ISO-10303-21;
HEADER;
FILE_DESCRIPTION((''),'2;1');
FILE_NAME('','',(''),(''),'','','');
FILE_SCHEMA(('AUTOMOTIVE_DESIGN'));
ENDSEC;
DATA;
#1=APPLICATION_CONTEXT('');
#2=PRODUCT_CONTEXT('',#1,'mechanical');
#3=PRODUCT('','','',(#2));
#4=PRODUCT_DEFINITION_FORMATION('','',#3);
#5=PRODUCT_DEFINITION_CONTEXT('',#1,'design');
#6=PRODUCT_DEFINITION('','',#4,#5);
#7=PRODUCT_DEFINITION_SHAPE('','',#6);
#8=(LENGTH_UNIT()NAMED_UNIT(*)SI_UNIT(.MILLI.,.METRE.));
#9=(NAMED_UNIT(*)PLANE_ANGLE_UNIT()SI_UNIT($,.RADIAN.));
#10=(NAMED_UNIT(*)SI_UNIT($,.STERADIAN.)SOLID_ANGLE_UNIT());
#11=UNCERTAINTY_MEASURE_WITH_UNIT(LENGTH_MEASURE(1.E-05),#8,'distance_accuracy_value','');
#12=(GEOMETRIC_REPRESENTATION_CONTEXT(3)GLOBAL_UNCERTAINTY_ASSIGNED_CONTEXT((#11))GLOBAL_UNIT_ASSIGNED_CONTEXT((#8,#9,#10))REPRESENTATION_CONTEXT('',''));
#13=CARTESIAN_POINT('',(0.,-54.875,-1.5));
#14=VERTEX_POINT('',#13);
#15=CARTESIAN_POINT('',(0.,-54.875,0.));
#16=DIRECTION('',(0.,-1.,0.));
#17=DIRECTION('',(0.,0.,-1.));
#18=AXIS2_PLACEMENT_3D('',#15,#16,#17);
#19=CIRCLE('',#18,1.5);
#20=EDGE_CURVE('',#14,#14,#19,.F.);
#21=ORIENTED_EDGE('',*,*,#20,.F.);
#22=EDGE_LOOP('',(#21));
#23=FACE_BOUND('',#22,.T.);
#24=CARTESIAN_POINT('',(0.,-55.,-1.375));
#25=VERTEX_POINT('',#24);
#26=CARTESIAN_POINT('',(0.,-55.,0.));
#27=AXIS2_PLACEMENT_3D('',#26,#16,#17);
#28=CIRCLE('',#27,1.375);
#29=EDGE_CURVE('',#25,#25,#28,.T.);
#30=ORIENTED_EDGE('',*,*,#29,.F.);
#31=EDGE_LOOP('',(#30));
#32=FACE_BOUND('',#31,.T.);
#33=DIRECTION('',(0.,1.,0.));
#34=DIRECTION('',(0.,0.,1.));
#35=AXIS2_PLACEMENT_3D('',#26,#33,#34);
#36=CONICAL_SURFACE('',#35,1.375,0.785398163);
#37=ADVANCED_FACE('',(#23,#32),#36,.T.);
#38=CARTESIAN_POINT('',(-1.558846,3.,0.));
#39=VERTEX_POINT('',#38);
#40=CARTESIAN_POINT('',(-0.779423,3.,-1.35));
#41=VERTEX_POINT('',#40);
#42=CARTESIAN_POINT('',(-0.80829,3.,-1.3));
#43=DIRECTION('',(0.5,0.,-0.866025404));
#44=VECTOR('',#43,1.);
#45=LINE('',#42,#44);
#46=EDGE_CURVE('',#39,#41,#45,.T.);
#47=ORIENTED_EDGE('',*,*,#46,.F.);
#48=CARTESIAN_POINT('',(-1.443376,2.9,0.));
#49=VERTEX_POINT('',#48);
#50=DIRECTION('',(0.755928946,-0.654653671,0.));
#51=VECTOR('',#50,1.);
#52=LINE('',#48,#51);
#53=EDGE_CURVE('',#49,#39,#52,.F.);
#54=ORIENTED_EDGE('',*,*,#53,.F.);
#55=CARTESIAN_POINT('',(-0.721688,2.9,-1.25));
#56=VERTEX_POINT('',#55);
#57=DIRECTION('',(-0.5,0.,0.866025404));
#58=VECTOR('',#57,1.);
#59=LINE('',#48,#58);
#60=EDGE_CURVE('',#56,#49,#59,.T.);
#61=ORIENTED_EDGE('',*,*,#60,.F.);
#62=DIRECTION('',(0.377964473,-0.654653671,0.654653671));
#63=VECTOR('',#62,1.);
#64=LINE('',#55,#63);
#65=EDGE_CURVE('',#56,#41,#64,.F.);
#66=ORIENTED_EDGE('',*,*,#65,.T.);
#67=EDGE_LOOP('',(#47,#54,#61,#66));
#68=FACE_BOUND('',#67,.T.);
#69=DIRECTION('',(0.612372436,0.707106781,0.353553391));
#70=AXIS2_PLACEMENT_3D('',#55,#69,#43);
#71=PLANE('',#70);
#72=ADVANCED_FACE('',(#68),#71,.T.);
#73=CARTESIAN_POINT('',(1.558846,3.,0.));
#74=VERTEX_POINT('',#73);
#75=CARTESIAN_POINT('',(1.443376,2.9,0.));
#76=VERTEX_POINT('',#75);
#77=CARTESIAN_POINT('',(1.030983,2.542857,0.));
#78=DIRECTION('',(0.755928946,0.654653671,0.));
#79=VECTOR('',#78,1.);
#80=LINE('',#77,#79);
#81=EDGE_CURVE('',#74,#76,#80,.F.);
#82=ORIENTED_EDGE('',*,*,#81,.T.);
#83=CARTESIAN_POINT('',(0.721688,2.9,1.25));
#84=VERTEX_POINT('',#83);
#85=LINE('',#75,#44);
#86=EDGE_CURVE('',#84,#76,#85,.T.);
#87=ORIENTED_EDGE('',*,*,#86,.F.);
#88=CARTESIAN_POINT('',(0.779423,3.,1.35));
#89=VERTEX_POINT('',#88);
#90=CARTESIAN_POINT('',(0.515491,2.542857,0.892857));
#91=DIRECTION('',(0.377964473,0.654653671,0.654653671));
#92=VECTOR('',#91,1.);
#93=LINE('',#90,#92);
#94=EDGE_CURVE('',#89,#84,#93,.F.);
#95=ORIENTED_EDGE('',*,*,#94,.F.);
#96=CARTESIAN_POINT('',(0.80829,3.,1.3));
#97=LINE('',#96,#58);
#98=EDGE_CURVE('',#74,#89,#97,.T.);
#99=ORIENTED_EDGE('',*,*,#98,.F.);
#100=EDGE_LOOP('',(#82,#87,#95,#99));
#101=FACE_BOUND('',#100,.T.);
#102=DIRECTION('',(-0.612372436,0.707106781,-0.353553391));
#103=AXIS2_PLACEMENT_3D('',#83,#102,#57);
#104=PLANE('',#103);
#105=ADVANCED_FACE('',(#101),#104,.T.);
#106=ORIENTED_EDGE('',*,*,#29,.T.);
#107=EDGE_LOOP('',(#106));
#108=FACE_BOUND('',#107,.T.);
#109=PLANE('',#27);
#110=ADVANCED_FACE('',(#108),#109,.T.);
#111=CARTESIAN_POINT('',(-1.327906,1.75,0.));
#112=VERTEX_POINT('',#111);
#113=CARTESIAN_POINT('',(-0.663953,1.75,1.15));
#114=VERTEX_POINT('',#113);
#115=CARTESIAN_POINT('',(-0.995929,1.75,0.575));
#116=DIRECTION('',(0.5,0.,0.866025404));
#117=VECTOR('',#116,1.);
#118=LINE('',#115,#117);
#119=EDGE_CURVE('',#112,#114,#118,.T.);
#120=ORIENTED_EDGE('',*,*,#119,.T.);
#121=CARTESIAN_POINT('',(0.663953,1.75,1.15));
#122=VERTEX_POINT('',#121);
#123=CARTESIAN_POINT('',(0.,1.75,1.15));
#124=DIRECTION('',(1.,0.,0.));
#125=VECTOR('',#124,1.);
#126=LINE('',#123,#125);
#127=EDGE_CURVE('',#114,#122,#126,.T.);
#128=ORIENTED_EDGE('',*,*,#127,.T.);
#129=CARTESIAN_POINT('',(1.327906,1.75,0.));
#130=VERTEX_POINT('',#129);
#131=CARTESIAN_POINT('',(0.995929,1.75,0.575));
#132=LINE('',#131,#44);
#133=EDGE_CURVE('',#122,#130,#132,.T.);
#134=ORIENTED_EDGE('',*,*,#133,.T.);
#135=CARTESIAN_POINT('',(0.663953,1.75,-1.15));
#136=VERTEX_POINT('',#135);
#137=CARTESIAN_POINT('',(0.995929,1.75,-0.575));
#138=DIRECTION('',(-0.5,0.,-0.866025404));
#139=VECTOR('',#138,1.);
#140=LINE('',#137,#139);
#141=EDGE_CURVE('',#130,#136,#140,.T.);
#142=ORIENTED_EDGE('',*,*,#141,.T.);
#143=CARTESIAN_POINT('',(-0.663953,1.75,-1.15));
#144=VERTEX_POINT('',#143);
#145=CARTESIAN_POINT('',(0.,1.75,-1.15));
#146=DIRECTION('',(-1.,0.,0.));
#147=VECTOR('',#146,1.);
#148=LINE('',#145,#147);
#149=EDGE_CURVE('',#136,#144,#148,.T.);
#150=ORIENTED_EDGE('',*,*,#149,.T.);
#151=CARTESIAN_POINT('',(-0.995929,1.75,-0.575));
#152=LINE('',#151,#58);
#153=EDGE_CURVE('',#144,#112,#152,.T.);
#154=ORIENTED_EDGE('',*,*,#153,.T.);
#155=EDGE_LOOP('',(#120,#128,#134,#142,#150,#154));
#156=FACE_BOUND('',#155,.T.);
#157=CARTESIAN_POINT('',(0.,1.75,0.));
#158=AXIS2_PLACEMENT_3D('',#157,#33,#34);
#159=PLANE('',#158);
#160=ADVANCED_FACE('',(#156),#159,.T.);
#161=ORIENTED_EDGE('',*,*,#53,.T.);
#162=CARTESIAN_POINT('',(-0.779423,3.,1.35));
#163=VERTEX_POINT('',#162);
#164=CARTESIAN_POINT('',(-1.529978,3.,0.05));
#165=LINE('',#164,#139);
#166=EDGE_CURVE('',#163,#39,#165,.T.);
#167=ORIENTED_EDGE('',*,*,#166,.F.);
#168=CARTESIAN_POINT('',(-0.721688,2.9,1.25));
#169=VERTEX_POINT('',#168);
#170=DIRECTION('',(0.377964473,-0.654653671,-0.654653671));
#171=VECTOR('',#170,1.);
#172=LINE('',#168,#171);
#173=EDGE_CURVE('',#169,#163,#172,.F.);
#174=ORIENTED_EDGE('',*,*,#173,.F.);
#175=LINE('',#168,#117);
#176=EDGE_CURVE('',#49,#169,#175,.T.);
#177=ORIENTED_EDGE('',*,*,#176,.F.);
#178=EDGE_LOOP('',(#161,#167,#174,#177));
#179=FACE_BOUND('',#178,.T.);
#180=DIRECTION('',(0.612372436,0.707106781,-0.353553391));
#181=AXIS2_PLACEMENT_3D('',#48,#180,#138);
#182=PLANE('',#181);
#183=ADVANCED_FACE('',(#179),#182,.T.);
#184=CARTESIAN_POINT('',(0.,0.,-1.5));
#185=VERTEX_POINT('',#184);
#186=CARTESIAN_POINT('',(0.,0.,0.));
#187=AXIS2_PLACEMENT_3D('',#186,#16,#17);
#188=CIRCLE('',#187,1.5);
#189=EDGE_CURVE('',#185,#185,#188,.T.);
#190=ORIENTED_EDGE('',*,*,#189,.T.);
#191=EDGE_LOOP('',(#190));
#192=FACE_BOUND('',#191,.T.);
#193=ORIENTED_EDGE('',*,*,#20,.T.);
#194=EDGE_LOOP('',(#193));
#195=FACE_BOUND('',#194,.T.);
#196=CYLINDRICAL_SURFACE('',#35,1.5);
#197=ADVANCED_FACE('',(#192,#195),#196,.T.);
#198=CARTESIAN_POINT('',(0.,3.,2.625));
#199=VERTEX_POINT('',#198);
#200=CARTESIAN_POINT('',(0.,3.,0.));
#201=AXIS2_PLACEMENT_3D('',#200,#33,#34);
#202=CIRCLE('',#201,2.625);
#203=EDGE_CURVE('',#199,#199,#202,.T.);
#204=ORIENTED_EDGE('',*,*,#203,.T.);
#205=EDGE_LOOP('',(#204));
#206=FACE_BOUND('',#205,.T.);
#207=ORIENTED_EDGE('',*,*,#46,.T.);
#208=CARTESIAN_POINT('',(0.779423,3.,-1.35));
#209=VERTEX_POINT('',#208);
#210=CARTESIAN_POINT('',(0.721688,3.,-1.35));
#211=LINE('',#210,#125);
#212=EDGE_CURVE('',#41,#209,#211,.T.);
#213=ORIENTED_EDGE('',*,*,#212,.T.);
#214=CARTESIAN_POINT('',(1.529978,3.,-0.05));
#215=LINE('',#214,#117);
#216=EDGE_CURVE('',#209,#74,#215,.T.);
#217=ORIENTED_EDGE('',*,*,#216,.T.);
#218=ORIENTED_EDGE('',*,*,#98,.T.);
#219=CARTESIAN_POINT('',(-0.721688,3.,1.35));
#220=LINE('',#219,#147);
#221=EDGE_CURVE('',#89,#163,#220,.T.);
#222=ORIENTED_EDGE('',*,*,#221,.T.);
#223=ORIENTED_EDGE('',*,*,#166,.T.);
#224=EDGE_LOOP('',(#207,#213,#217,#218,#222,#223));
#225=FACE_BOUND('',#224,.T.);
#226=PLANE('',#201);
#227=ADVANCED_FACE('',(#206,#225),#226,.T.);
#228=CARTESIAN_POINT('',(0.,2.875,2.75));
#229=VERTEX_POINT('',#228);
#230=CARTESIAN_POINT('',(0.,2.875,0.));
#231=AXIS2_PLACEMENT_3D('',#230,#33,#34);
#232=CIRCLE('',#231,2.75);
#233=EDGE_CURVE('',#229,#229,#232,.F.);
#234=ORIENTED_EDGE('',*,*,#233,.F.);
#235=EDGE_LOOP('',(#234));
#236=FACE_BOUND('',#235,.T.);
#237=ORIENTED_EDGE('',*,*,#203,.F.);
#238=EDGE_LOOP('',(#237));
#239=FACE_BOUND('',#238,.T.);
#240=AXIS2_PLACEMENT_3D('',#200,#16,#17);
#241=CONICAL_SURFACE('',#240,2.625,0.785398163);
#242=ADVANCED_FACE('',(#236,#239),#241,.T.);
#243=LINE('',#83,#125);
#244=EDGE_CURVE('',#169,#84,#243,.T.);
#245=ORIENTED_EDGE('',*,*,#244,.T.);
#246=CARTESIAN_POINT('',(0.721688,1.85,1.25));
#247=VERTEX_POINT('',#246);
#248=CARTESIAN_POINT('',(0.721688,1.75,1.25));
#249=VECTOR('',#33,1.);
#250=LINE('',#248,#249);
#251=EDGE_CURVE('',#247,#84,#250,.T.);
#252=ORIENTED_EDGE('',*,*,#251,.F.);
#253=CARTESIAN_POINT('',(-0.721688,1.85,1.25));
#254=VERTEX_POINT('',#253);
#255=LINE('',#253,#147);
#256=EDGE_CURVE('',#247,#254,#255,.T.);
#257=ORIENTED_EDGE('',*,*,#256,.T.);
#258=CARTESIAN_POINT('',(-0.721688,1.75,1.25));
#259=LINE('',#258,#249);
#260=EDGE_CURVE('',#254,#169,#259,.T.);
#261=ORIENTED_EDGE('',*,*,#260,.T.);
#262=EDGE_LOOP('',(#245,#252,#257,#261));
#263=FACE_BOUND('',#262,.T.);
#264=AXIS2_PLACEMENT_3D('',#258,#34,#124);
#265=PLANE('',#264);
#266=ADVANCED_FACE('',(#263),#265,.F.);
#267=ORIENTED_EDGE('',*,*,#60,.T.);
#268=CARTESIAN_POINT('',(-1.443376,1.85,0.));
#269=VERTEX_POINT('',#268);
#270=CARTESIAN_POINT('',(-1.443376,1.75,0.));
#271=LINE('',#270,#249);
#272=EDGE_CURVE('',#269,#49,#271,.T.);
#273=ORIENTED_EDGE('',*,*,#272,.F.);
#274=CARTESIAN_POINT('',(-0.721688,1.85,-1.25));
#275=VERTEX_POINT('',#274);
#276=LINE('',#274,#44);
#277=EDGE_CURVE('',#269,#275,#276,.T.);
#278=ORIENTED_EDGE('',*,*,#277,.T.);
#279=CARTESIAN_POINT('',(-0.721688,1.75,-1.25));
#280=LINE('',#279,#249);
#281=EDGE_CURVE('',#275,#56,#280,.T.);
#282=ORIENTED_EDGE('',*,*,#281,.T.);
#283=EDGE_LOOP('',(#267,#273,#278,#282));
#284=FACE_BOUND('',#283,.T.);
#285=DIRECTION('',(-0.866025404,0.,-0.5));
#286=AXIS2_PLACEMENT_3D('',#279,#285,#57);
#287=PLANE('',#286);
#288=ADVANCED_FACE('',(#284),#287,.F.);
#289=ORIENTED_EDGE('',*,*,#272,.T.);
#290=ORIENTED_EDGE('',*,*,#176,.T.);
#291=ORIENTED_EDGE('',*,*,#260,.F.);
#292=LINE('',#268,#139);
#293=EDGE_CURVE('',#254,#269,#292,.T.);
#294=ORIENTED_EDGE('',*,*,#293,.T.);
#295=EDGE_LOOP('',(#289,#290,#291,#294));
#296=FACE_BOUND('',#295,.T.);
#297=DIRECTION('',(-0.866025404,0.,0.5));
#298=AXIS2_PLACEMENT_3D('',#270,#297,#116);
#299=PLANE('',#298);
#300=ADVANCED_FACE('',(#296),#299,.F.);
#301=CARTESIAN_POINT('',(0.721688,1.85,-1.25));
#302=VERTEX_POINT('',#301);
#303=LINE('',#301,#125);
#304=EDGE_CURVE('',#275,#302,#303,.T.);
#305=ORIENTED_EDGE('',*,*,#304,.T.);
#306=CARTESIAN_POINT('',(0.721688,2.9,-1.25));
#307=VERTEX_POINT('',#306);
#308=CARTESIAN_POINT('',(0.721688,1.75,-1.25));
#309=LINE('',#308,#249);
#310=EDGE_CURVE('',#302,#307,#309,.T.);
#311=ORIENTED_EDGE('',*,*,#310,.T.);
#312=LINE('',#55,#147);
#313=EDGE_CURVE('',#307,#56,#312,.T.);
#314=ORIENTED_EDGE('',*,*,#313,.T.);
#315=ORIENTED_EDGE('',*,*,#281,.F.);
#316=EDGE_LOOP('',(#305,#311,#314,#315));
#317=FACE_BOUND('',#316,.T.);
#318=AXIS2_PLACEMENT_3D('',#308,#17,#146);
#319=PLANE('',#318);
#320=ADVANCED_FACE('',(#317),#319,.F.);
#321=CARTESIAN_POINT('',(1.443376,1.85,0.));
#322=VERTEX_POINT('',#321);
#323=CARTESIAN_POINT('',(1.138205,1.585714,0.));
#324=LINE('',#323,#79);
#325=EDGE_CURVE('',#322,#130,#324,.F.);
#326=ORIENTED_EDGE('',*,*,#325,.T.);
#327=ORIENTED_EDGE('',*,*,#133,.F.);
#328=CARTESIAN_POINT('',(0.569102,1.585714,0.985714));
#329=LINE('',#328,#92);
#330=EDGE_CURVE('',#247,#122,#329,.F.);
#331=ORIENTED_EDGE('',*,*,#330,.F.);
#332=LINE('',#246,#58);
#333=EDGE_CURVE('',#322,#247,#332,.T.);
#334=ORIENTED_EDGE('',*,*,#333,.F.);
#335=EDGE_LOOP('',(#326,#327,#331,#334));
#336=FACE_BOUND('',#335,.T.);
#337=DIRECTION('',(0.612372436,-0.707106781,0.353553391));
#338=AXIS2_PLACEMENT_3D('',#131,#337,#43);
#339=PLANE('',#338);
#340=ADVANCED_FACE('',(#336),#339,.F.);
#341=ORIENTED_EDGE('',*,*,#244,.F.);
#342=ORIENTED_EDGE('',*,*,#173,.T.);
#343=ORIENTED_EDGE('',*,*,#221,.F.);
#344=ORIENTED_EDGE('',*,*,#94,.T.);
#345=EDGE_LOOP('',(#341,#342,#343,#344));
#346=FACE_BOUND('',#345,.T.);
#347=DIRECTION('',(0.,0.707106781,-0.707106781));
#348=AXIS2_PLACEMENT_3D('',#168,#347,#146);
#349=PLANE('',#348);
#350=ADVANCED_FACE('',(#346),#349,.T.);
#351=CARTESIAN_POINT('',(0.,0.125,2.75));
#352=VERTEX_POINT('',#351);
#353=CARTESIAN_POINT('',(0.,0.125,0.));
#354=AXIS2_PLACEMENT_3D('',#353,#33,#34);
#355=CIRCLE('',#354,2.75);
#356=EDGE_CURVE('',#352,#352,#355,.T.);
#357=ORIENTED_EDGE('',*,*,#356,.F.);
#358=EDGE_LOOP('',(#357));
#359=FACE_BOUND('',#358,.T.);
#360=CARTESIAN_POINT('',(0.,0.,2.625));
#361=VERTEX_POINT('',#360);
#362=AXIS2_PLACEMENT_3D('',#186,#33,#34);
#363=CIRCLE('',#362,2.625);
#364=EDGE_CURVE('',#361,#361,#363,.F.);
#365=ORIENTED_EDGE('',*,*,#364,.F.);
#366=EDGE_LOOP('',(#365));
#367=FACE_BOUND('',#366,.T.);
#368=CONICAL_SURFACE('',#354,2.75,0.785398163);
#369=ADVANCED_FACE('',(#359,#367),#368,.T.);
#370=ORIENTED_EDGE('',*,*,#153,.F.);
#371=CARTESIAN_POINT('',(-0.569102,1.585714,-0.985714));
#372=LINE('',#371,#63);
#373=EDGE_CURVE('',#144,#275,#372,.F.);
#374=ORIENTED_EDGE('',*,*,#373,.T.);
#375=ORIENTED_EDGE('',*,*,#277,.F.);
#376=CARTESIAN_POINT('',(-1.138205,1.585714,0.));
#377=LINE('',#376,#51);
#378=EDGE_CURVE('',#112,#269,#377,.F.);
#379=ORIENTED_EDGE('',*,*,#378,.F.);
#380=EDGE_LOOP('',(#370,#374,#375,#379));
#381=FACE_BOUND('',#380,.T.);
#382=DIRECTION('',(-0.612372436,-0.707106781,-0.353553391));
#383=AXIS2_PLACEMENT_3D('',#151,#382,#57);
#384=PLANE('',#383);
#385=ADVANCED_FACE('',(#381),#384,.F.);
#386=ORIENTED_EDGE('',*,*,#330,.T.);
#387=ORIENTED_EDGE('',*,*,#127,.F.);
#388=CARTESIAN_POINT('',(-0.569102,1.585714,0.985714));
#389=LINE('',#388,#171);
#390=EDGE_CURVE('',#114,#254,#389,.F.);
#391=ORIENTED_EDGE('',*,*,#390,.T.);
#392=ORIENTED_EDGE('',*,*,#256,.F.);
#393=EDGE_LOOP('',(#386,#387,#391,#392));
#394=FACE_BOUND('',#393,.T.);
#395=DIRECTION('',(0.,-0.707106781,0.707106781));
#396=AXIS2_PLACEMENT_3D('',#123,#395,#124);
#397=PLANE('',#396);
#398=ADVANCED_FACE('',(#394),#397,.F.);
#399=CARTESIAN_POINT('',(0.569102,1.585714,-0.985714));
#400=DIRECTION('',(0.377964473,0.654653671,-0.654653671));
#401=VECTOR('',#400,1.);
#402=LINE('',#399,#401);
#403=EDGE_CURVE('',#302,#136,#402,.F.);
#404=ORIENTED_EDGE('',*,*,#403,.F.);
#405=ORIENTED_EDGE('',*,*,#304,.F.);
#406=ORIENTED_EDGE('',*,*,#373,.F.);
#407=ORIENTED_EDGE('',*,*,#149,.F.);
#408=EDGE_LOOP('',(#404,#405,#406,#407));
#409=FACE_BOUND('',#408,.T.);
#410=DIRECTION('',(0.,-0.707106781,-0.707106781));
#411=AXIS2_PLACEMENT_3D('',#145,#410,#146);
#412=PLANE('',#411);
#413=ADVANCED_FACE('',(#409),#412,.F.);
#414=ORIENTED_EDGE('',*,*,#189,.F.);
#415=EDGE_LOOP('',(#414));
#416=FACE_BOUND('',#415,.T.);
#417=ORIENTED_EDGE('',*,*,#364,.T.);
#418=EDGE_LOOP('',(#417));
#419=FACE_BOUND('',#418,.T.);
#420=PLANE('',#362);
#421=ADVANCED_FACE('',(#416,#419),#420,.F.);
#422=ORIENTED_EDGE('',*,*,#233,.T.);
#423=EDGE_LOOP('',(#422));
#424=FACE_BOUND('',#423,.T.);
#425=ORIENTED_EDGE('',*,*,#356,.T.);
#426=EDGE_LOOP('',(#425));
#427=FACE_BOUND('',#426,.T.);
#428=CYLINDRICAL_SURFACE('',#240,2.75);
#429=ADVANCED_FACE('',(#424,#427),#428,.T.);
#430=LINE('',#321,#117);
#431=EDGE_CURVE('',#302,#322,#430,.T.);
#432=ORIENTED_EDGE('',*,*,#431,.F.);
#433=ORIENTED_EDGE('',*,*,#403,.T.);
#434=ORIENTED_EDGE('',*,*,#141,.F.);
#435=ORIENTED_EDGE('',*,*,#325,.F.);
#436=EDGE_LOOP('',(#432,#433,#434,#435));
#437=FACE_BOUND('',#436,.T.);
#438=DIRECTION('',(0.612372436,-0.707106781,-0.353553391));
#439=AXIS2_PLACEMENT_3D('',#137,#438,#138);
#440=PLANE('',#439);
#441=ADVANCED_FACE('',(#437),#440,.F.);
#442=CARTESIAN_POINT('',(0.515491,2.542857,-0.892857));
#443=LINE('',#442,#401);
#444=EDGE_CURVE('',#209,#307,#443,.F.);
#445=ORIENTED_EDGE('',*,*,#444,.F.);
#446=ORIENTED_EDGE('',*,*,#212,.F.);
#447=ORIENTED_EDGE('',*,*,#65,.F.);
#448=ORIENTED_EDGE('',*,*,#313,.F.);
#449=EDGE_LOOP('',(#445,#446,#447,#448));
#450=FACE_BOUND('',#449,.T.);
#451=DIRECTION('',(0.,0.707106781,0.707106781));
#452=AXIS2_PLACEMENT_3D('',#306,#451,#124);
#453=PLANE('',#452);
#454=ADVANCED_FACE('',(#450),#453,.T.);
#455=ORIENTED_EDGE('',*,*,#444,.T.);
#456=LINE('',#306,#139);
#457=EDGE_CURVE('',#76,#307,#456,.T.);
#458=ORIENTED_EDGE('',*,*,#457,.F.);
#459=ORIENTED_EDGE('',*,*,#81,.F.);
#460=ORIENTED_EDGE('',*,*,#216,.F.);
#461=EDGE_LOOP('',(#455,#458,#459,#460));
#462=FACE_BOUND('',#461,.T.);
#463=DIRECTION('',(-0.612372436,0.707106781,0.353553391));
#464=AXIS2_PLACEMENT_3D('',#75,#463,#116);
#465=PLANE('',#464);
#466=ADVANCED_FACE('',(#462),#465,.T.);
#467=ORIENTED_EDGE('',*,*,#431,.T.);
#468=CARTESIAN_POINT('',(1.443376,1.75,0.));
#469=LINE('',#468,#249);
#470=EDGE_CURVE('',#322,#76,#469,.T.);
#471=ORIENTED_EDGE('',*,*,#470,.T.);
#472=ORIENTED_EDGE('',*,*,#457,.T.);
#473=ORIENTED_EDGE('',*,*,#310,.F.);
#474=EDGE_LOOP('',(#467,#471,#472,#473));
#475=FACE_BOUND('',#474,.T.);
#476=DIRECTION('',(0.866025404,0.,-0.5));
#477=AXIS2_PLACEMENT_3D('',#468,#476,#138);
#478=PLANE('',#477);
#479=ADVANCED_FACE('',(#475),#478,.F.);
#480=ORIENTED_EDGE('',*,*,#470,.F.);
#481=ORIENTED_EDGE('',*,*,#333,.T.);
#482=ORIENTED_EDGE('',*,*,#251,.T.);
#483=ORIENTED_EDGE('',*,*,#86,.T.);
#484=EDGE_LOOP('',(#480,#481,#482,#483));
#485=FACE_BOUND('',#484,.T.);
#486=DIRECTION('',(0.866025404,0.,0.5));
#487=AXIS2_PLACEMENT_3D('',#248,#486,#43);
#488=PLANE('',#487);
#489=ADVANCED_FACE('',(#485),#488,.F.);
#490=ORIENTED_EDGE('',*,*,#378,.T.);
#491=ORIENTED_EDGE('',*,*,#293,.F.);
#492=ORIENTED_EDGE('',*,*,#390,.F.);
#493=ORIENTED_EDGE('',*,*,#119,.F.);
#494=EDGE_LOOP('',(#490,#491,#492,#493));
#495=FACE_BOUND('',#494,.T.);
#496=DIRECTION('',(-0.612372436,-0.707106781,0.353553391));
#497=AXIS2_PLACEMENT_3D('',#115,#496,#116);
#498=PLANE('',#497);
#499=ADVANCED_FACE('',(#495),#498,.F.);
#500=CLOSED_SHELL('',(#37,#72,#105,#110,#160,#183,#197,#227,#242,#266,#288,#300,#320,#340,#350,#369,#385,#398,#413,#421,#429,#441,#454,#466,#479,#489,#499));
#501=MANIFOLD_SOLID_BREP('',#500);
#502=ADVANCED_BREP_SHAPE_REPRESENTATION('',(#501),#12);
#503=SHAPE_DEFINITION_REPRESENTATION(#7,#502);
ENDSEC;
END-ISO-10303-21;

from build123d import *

# Parameters (mm, degrees)
SKETCH1_R           = 2.75
BOSS_EXTRUDE1_DEPTH = 3
SKETCH2_R           = 1.5
BOSS_EXTRUDE2_DEPTH = 55
CHAMFER1_SIZE       = 0.125
CHAMFER2_SIZE       = 0.125
CUT_EXTRUDE1_DEPTH  = 1.25
CHAMFER3_SIZE       = 0.1
CHAMFER4_SIZE       = 0.1


with BuildPart() as part:
    # Sketch1 → Boss-Extrude1 (new body)
    with BuildSketch(Plane(origin=(0, 0, 0), x_dir=(1, 0, 0), z_dir=(0, 1, 0))):
        with Locations(Location((0, 0, 0), (0, 0, 270))):
            Circle(SKETCH1_R)
    extrude(amount=BOSS_EXTRUDE1_DEPTH)

    # Sketch2 → Boss-Extrude2 (add)
    with BuildSketch(Plane(origin=(0, 0, 0), x_dir=(-1, 0, 0), z_dir=(0, -1, 0))):
        with Locations(Location((0, 0, 0), (0, 0, 90))):
            Circle(SKETCH2_R)
    extrude(amount=BOSS_EXTRUDE2_DEPTH)

    # Chamfer1
    chamfer1_edges = [part.edges().sort_by_distance(p)[0] for p in [
        (0, 0, -2.75),
        (0, 3, -2.75),
    ]]
    chamfer(chamfer1_edges, length=CHAMFER1_SIZE)

    # Chamfer2
    chamfer2_edges = [part.edges().sort_by_distance(p)[0] for p in [
        (0, -55, 1.5),
    ]]
    chamfer(chamfer2_edges, length=CHAMFER2_SIZE)

    # Sketch3 → Cut-Extrude1 (cut)
    with BuildSketch(Plane(origin=(0, 3, 0), x_dir=(1, 0, 0), z_dir=(0, 1, 0))):
        Polygon((1.443375673, 0), (0.721687836, 1.25), (-0.721687836, 1.25), (-1.443375673, 0), (-0.721687836, -1.25), (0.721687836, -1.25), align=None)
    extrude(amount=-CUT_EXTRUDE1_DEPTH, mode=Mode.SUBTRACT)

    # Chamfer3
    chamfer3_edges = [part.edges().sort_by_distance(p)[0] for p in [
        (1.082531755, 3, 0.625),
        (1.082531755, 3, -0.625),
        (0, 3, -1.25),
        (-1.082531755, 3, -0.625),
        (-1.082531755, 3, 0.625),
        (0, 3, 1.25),
    ]]
    chamfer(chamfer3_edges, length=CHAMFER3_SIZE)

    # Chamfer4
    chamfer4_edges = [part.edges().sort_by_distance(p)[0] for p in [
        (1.082531755, 1.75, 0.625),
        (0, 1.75, 1.25),
        (-1.082531755, 1.75, 0.625),
        (-1.082531755, 1.75, -0.625),
        (0, 1.75, -1.25),
        (1.082531755, 1.75, -0.625),
    ]]
    chamfer(chamfer4_edges, length=CHAMFER4_SIZE)


solid = part.part
